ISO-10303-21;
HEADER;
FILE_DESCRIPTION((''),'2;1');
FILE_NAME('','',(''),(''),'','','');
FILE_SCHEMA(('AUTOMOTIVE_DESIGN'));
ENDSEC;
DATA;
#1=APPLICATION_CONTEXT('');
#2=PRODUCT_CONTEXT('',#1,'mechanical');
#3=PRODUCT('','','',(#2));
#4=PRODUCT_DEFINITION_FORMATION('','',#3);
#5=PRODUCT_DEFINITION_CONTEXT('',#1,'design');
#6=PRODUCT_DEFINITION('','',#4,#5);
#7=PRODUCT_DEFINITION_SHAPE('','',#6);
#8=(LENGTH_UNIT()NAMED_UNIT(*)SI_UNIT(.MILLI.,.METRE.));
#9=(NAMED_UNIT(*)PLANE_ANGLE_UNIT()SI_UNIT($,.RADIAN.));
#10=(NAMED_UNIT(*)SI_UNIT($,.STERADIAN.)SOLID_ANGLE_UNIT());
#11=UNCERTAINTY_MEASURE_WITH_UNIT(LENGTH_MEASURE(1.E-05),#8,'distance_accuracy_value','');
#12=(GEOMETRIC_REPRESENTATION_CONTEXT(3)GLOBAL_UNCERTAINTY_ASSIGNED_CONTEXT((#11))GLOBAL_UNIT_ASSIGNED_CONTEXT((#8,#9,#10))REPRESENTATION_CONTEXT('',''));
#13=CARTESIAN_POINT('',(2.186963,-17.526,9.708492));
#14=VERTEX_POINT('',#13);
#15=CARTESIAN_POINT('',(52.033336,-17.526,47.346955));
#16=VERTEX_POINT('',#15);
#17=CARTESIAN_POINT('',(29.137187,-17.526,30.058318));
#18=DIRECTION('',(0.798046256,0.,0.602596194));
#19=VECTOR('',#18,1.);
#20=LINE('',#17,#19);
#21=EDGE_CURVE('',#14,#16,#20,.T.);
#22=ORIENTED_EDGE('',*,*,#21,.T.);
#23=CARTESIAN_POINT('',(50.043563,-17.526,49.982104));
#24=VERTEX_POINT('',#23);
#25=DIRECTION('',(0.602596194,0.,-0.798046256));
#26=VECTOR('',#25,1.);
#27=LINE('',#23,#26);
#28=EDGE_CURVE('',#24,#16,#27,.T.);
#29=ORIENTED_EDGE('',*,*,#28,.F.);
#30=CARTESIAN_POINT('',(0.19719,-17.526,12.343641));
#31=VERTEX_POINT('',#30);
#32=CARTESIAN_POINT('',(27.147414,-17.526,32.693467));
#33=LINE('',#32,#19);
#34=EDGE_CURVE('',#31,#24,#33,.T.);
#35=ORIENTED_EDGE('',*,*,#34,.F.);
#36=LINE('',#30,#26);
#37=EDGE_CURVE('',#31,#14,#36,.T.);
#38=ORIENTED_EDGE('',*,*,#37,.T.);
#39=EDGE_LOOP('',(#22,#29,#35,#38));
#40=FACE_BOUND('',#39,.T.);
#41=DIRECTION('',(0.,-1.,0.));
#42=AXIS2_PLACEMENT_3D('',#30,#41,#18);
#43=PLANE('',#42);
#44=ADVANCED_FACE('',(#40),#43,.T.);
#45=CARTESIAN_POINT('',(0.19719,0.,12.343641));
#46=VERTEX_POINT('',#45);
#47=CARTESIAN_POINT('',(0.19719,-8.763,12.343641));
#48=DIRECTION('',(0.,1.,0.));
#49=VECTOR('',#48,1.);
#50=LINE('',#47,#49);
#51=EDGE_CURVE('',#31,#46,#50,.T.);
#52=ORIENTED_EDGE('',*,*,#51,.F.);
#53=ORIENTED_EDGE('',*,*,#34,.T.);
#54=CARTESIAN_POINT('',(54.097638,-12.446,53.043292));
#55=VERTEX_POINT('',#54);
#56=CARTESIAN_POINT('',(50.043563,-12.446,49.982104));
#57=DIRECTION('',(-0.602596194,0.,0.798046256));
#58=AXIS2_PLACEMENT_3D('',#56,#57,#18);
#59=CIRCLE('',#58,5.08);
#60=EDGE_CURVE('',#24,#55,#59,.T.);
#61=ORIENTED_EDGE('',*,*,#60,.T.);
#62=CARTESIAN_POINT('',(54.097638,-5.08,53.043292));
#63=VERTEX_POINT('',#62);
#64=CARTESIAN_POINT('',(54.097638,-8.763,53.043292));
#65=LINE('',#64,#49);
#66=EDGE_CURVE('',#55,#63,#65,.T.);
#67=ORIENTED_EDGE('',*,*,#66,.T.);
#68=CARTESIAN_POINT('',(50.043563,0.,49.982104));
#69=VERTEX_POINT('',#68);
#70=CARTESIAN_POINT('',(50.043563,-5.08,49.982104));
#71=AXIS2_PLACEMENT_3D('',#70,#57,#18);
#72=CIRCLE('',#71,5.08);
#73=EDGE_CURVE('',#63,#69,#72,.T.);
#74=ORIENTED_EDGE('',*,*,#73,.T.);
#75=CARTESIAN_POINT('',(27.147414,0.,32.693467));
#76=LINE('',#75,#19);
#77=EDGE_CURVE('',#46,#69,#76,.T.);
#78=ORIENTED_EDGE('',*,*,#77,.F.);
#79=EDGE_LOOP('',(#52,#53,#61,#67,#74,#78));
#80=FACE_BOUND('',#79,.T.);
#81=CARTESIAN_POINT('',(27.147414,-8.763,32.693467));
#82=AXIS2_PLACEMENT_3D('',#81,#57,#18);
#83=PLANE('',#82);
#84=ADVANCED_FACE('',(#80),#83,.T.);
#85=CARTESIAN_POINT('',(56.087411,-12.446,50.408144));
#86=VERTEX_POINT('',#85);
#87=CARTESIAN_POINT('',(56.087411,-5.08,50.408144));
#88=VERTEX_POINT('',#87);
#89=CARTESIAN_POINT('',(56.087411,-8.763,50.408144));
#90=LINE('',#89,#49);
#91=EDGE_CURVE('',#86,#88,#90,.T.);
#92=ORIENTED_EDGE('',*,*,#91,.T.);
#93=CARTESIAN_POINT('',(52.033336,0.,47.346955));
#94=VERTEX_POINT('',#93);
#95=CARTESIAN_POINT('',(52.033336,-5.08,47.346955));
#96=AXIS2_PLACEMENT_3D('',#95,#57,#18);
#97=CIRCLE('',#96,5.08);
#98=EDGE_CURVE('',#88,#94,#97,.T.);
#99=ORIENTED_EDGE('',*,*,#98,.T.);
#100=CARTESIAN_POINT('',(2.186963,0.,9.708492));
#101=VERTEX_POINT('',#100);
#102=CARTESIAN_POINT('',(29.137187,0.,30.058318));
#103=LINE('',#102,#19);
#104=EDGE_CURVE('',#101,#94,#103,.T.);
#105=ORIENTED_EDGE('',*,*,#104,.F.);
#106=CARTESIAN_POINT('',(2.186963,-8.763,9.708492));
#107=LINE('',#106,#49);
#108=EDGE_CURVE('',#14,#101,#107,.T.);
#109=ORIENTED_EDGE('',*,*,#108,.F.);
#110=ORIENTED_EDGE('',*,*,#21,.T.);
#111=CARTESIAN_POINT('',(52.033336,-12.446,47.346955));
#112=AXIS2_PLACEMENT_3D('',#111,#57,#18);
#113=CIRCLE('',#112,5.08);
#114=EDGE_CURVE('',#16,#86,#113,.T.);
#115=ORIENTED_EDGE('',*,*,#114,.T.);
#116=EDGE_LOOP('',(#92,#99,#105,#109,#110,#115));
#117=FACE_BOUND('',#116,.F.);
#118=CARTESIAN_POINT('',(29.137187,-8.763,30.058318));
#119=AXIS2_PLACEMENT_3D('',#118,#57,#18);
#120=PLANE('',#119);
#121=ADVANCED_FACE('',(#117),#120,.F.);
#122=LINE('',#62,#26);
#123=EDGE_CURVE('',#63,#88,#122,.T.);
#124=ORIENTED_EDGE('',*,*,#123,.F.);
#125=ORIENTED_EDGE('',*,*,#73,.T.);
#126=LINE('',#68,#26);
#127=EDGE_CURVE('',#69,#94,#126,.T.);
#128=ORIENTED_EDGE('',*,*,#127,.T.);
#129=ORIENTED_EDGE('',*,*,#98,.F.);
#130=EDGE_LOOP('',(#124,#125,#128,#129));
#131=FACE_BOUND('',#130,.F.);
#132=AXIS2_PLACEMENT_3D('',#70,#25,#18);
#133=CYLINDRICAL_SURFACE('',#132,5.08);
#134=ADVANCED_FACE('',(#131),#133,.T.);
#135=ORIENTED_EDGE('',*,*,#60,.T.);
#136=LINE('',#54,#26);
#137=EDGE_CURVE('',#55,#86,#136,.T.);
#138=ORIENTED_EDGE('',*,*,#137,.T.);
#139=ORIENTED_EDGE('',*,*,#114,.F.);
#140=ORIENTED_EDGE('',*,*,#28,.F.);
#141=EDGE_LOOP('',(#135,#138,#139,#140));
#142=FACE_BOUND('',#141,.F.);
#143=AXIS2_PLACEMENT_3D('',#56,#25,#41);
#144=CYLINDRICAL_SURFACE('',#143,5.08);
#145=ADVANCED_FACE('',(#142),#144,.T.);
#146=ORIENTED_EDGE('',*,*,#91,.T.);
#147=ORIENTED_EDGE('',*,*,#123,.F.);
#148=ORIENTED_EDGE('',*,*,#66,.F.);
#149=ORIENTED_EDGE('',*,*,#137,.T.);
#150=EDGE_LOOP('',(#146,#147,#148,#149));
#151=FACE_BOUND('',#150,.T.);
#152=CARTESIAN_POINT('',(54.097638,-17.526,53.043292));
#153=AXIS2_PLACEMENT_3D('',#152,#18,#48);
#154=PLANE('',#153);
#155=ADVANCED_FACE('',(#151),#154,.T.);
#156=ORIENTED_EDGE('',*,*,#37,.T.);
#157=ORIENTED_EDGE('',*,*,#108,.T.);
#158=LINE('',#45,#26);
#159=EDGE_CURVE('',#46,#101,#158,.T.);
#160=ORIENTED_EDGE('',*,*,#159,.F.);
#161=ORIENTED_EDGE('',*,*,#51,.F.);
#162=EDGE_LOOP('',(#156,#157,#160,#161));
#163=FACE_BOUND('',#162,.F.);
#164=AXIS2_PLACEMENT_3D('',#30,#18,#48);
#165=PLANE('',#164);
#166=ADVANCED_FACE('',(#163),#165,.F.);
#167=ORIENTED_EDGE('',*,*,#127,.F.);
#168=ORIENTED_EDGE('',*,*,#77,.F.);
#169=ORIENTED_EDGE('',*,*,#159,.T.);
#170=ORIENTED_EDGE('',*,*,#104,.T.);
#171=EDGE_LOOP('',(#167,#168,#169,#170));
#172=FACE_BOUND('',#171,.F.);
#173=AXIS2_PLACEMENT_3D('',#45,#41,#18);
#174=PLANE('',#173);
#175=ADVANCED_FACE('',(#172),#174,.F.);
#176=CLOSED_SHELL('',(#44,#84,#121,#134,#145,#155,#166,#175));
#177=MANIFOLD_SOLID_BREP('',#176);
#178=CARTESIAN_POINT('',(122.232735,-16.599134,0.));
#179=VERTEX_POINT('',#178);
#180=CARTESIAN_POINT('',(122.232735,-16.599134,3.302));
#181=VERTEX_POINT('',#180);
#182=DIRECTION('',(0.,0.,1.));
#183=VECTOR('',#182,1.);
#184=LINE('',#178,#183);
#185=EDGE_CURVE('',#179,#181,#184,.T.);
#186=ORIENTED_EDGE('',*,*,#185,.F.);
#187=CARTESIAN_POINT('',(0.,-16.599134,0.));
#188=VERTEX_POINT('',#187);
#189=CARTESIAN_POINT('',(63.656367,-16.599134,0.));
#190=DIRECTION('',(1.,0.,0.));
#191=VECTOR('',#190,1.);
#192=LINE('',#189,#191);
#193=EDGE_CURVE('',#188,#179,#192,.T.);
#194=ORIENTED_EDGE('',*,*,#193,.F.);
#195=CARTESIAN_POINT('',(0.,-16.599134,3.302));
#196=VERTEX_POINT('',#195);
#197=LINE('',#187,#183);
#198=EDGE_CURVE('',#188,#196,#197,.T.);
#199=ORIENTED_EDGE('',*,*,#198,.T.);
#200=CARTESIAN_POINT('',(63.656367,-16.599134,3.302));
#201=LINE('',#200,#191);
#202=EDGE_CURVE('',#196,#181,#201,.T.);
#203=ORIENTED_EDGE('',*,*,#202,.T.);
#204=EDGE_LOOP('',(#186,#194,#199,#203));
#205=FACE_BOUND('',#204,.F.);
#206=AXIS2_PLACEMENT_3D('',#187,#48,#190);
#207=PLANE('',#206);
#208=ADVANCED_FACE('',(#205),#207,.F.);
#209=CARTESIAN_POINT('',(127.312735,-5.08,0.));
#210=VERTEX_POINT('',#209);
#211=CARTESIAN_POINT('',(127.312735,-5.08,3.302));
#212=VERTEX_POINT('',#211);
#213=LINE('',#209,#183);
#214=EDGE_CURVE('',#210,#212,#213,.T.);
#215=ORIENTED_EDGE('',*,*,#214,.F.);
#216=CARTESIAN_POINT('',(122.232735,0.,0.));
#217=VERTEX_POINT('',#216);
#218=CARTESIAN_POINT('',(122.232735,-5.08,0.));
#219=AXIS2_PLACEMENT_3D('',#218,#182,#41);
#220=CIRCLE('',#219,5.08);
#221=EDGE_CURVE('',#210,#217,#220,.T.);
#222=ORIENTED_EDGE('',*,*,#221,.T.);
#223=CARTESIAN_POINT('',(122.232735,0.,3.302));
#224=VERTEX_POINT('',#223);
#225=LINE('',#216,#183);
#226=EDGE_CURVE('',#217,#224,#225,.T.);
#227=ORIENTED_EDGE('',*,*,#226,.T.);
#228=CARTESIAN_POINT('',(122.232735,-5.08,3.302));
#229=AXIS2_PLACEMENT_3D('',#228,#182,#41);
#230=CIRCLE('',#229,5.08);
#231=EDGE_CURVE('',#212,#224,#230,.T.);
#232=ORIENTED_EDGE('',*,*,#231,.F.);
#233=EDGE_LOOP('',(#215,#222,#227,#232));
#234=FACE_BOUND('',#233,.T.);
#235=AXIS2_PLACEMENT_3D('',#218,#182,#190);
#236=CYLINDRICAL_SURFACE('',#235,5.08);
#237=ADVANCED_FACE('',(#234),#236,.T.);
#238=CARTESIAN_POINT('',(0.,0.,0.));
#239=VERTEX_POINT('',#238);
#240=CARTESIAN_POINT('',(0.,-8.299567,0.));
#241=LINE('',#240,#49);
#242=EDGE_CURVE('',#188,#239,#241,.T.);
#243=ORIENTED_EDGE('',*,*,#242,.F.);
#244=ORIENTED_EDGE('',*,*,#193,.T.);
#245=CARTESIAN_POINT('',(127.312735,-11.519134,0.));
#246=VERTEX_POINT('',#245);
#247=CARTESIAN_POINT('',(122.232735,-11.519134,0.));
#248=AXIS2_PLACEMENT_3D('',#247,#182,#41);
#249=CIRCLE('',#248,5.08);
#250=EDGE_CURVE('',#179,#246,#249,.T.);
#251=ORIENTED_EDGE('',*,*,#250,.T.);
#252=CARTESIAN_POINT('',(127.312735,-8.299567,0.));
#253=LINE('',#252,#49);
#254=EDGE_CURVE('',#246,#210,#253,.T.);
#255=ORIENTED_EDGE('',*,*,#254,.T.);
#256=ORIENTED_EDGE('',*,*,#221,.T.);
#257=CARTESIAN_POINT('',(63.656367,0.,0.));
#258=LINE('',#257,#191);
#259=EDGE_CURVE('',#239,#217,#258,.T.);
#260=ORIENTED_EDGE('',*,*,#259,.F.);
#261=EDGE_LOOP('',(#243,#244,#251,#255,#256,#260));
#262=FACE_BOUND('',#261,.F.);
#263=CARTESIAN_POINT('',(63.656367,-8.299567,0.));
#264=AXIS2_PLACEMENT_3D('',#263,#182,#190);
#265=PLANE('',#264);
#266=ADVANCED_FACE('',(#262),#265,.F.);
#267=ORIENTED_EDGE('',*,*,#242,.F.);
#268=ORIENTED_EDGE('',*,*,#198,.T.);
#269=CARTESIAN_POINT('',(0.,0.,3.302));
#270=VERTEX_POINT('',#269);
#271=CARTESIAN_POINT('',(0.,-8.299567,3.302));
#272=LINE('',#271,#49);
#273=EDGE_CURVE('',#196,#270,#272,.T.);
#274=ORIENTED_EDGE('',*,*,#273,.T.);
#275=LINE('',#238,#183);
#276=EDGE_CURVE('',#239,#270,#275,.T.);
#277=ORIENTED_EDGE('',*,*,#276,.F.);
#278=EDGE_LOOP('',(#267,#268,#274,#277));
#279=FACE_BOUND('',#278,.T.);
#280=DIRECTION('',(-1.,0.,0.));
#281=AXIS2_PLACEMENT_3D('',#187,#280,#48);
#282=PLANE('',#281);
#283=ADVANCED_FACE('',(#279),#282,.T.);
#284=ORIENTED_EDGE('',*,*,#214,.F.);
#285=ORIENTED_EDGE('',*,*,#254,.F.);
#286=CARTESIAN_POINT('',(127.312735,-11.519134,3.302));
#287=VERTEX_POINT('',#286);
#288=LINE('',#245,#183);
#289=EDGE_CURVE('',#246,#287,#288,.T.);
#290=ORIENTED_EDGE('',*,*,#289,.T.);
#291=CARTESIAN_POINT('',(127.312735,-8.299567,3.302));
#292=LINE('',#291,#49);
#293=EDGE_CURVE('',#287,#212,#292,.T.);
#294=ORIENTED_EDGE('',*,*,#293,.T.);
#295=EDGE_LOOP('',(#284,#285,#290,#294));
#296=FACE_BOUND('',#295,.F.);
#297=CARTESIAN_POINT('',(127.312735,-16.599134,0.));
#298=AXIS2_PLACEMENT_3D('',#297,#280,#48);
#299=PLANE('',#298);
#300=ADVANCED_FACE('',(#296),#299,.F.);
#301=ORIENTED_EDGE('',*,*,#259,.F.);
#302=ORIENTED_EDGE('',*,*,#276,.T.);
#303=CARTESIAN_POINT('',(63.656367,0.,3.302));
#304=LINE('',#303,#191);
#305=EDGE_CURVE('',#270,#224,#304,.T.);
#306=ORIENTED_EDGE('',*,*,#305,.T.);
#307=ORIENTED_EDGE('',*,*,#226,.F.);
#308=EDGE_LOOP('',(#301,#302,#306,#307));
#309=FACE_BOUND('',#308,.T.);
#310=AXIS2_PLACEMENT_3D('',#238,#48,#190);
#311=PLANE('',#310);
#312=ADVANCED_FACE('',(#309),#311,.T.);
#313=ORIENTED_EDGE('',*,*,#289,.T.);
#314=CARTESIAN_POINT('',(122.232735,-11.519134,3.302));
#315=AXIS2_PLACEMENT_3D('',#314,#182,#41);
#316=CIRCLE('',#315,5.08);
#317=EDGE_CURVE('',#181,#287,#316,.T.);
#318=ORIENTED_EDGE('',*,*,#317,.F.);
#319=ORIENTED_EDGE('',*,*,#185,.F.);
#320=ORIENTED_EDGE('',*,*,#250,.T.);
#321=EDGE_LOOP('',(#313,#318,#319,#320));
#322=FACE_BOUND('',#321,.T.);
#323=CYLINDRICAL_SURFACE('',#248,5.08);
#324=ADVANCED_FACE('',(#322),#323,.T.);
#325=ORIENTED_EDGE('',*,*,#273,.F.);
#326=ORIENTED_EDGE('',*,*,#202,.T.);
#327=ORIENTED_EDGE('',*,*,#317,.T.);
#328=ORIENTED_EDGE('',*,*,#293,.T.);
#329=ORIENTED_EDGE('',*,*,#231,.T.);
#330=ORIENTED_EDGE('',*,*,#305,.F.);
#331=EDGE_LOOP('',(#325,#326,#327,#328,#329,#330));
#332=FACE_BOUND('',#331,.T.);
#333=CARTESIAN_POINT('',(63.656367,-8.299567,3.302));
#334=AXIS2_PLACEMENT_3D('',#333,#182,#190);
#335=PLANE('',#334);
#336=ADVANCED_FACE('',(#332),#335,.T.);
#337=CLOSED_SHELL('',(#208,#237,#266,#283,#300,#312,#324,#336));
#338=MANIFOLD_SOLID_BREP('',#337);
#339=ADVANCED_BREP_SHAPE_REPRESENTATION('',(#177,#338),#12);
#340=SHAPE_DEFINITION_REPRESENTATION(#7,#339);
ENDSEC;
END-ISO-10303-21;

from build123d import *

# Parameters (mm, degrees)
F3_W     = 127.312735
F3_H     = 16.599134
F5_DEPTH = 3.302
F2_W     = 67.540506
F2_H     = 17.526
F6_DEPTH = 3.302
F7_R     = 5.08
F7_2_R   = 5.08


with BuildPart() as f5:
    # F3 (on Top) → F5 (new body)
    with BuildSketch(Plane.XY):
        with Locations((63.656367, -8.299567)):
            Rectangle(F3_W, F3_H)
    extrude(amount=F5_DEPTH)

    # F7#2
    f7_2_edges = [f5.edges().sort_by_distance(p)[0] for p in [
        (127.312735, 0, 1.651),
        (127.312735, -16.599134, 1.651),
    ]]
    fillet(f7_2_edges, radius=F7_2_R)


with BuildPart() as f6:
    # F2 (on face) → F6 (new body)
    with BuildSketch(Plane(origin=(-5.864446, 0, 7.766564), x_dir=(0.798046, 0, 0.602596), z_dir=(-0.602596, 0, 0.798046))):
        with Locations((41.365848, -8.763)):
            Rectangle(F2_W, F2_H)
    extrude(amount=-F6_DEPTH)

    # F7
    f7_edges = [f6.edges().sort_by_distance(p)[0] for p in [
        (55.092533, 0, 51.725704),
        (55.092533, -17.526, 51.725704),
    ]]
    fillet(f7_edges, radius=F7_R)


solid = Compound([f5.part, f6.part])
